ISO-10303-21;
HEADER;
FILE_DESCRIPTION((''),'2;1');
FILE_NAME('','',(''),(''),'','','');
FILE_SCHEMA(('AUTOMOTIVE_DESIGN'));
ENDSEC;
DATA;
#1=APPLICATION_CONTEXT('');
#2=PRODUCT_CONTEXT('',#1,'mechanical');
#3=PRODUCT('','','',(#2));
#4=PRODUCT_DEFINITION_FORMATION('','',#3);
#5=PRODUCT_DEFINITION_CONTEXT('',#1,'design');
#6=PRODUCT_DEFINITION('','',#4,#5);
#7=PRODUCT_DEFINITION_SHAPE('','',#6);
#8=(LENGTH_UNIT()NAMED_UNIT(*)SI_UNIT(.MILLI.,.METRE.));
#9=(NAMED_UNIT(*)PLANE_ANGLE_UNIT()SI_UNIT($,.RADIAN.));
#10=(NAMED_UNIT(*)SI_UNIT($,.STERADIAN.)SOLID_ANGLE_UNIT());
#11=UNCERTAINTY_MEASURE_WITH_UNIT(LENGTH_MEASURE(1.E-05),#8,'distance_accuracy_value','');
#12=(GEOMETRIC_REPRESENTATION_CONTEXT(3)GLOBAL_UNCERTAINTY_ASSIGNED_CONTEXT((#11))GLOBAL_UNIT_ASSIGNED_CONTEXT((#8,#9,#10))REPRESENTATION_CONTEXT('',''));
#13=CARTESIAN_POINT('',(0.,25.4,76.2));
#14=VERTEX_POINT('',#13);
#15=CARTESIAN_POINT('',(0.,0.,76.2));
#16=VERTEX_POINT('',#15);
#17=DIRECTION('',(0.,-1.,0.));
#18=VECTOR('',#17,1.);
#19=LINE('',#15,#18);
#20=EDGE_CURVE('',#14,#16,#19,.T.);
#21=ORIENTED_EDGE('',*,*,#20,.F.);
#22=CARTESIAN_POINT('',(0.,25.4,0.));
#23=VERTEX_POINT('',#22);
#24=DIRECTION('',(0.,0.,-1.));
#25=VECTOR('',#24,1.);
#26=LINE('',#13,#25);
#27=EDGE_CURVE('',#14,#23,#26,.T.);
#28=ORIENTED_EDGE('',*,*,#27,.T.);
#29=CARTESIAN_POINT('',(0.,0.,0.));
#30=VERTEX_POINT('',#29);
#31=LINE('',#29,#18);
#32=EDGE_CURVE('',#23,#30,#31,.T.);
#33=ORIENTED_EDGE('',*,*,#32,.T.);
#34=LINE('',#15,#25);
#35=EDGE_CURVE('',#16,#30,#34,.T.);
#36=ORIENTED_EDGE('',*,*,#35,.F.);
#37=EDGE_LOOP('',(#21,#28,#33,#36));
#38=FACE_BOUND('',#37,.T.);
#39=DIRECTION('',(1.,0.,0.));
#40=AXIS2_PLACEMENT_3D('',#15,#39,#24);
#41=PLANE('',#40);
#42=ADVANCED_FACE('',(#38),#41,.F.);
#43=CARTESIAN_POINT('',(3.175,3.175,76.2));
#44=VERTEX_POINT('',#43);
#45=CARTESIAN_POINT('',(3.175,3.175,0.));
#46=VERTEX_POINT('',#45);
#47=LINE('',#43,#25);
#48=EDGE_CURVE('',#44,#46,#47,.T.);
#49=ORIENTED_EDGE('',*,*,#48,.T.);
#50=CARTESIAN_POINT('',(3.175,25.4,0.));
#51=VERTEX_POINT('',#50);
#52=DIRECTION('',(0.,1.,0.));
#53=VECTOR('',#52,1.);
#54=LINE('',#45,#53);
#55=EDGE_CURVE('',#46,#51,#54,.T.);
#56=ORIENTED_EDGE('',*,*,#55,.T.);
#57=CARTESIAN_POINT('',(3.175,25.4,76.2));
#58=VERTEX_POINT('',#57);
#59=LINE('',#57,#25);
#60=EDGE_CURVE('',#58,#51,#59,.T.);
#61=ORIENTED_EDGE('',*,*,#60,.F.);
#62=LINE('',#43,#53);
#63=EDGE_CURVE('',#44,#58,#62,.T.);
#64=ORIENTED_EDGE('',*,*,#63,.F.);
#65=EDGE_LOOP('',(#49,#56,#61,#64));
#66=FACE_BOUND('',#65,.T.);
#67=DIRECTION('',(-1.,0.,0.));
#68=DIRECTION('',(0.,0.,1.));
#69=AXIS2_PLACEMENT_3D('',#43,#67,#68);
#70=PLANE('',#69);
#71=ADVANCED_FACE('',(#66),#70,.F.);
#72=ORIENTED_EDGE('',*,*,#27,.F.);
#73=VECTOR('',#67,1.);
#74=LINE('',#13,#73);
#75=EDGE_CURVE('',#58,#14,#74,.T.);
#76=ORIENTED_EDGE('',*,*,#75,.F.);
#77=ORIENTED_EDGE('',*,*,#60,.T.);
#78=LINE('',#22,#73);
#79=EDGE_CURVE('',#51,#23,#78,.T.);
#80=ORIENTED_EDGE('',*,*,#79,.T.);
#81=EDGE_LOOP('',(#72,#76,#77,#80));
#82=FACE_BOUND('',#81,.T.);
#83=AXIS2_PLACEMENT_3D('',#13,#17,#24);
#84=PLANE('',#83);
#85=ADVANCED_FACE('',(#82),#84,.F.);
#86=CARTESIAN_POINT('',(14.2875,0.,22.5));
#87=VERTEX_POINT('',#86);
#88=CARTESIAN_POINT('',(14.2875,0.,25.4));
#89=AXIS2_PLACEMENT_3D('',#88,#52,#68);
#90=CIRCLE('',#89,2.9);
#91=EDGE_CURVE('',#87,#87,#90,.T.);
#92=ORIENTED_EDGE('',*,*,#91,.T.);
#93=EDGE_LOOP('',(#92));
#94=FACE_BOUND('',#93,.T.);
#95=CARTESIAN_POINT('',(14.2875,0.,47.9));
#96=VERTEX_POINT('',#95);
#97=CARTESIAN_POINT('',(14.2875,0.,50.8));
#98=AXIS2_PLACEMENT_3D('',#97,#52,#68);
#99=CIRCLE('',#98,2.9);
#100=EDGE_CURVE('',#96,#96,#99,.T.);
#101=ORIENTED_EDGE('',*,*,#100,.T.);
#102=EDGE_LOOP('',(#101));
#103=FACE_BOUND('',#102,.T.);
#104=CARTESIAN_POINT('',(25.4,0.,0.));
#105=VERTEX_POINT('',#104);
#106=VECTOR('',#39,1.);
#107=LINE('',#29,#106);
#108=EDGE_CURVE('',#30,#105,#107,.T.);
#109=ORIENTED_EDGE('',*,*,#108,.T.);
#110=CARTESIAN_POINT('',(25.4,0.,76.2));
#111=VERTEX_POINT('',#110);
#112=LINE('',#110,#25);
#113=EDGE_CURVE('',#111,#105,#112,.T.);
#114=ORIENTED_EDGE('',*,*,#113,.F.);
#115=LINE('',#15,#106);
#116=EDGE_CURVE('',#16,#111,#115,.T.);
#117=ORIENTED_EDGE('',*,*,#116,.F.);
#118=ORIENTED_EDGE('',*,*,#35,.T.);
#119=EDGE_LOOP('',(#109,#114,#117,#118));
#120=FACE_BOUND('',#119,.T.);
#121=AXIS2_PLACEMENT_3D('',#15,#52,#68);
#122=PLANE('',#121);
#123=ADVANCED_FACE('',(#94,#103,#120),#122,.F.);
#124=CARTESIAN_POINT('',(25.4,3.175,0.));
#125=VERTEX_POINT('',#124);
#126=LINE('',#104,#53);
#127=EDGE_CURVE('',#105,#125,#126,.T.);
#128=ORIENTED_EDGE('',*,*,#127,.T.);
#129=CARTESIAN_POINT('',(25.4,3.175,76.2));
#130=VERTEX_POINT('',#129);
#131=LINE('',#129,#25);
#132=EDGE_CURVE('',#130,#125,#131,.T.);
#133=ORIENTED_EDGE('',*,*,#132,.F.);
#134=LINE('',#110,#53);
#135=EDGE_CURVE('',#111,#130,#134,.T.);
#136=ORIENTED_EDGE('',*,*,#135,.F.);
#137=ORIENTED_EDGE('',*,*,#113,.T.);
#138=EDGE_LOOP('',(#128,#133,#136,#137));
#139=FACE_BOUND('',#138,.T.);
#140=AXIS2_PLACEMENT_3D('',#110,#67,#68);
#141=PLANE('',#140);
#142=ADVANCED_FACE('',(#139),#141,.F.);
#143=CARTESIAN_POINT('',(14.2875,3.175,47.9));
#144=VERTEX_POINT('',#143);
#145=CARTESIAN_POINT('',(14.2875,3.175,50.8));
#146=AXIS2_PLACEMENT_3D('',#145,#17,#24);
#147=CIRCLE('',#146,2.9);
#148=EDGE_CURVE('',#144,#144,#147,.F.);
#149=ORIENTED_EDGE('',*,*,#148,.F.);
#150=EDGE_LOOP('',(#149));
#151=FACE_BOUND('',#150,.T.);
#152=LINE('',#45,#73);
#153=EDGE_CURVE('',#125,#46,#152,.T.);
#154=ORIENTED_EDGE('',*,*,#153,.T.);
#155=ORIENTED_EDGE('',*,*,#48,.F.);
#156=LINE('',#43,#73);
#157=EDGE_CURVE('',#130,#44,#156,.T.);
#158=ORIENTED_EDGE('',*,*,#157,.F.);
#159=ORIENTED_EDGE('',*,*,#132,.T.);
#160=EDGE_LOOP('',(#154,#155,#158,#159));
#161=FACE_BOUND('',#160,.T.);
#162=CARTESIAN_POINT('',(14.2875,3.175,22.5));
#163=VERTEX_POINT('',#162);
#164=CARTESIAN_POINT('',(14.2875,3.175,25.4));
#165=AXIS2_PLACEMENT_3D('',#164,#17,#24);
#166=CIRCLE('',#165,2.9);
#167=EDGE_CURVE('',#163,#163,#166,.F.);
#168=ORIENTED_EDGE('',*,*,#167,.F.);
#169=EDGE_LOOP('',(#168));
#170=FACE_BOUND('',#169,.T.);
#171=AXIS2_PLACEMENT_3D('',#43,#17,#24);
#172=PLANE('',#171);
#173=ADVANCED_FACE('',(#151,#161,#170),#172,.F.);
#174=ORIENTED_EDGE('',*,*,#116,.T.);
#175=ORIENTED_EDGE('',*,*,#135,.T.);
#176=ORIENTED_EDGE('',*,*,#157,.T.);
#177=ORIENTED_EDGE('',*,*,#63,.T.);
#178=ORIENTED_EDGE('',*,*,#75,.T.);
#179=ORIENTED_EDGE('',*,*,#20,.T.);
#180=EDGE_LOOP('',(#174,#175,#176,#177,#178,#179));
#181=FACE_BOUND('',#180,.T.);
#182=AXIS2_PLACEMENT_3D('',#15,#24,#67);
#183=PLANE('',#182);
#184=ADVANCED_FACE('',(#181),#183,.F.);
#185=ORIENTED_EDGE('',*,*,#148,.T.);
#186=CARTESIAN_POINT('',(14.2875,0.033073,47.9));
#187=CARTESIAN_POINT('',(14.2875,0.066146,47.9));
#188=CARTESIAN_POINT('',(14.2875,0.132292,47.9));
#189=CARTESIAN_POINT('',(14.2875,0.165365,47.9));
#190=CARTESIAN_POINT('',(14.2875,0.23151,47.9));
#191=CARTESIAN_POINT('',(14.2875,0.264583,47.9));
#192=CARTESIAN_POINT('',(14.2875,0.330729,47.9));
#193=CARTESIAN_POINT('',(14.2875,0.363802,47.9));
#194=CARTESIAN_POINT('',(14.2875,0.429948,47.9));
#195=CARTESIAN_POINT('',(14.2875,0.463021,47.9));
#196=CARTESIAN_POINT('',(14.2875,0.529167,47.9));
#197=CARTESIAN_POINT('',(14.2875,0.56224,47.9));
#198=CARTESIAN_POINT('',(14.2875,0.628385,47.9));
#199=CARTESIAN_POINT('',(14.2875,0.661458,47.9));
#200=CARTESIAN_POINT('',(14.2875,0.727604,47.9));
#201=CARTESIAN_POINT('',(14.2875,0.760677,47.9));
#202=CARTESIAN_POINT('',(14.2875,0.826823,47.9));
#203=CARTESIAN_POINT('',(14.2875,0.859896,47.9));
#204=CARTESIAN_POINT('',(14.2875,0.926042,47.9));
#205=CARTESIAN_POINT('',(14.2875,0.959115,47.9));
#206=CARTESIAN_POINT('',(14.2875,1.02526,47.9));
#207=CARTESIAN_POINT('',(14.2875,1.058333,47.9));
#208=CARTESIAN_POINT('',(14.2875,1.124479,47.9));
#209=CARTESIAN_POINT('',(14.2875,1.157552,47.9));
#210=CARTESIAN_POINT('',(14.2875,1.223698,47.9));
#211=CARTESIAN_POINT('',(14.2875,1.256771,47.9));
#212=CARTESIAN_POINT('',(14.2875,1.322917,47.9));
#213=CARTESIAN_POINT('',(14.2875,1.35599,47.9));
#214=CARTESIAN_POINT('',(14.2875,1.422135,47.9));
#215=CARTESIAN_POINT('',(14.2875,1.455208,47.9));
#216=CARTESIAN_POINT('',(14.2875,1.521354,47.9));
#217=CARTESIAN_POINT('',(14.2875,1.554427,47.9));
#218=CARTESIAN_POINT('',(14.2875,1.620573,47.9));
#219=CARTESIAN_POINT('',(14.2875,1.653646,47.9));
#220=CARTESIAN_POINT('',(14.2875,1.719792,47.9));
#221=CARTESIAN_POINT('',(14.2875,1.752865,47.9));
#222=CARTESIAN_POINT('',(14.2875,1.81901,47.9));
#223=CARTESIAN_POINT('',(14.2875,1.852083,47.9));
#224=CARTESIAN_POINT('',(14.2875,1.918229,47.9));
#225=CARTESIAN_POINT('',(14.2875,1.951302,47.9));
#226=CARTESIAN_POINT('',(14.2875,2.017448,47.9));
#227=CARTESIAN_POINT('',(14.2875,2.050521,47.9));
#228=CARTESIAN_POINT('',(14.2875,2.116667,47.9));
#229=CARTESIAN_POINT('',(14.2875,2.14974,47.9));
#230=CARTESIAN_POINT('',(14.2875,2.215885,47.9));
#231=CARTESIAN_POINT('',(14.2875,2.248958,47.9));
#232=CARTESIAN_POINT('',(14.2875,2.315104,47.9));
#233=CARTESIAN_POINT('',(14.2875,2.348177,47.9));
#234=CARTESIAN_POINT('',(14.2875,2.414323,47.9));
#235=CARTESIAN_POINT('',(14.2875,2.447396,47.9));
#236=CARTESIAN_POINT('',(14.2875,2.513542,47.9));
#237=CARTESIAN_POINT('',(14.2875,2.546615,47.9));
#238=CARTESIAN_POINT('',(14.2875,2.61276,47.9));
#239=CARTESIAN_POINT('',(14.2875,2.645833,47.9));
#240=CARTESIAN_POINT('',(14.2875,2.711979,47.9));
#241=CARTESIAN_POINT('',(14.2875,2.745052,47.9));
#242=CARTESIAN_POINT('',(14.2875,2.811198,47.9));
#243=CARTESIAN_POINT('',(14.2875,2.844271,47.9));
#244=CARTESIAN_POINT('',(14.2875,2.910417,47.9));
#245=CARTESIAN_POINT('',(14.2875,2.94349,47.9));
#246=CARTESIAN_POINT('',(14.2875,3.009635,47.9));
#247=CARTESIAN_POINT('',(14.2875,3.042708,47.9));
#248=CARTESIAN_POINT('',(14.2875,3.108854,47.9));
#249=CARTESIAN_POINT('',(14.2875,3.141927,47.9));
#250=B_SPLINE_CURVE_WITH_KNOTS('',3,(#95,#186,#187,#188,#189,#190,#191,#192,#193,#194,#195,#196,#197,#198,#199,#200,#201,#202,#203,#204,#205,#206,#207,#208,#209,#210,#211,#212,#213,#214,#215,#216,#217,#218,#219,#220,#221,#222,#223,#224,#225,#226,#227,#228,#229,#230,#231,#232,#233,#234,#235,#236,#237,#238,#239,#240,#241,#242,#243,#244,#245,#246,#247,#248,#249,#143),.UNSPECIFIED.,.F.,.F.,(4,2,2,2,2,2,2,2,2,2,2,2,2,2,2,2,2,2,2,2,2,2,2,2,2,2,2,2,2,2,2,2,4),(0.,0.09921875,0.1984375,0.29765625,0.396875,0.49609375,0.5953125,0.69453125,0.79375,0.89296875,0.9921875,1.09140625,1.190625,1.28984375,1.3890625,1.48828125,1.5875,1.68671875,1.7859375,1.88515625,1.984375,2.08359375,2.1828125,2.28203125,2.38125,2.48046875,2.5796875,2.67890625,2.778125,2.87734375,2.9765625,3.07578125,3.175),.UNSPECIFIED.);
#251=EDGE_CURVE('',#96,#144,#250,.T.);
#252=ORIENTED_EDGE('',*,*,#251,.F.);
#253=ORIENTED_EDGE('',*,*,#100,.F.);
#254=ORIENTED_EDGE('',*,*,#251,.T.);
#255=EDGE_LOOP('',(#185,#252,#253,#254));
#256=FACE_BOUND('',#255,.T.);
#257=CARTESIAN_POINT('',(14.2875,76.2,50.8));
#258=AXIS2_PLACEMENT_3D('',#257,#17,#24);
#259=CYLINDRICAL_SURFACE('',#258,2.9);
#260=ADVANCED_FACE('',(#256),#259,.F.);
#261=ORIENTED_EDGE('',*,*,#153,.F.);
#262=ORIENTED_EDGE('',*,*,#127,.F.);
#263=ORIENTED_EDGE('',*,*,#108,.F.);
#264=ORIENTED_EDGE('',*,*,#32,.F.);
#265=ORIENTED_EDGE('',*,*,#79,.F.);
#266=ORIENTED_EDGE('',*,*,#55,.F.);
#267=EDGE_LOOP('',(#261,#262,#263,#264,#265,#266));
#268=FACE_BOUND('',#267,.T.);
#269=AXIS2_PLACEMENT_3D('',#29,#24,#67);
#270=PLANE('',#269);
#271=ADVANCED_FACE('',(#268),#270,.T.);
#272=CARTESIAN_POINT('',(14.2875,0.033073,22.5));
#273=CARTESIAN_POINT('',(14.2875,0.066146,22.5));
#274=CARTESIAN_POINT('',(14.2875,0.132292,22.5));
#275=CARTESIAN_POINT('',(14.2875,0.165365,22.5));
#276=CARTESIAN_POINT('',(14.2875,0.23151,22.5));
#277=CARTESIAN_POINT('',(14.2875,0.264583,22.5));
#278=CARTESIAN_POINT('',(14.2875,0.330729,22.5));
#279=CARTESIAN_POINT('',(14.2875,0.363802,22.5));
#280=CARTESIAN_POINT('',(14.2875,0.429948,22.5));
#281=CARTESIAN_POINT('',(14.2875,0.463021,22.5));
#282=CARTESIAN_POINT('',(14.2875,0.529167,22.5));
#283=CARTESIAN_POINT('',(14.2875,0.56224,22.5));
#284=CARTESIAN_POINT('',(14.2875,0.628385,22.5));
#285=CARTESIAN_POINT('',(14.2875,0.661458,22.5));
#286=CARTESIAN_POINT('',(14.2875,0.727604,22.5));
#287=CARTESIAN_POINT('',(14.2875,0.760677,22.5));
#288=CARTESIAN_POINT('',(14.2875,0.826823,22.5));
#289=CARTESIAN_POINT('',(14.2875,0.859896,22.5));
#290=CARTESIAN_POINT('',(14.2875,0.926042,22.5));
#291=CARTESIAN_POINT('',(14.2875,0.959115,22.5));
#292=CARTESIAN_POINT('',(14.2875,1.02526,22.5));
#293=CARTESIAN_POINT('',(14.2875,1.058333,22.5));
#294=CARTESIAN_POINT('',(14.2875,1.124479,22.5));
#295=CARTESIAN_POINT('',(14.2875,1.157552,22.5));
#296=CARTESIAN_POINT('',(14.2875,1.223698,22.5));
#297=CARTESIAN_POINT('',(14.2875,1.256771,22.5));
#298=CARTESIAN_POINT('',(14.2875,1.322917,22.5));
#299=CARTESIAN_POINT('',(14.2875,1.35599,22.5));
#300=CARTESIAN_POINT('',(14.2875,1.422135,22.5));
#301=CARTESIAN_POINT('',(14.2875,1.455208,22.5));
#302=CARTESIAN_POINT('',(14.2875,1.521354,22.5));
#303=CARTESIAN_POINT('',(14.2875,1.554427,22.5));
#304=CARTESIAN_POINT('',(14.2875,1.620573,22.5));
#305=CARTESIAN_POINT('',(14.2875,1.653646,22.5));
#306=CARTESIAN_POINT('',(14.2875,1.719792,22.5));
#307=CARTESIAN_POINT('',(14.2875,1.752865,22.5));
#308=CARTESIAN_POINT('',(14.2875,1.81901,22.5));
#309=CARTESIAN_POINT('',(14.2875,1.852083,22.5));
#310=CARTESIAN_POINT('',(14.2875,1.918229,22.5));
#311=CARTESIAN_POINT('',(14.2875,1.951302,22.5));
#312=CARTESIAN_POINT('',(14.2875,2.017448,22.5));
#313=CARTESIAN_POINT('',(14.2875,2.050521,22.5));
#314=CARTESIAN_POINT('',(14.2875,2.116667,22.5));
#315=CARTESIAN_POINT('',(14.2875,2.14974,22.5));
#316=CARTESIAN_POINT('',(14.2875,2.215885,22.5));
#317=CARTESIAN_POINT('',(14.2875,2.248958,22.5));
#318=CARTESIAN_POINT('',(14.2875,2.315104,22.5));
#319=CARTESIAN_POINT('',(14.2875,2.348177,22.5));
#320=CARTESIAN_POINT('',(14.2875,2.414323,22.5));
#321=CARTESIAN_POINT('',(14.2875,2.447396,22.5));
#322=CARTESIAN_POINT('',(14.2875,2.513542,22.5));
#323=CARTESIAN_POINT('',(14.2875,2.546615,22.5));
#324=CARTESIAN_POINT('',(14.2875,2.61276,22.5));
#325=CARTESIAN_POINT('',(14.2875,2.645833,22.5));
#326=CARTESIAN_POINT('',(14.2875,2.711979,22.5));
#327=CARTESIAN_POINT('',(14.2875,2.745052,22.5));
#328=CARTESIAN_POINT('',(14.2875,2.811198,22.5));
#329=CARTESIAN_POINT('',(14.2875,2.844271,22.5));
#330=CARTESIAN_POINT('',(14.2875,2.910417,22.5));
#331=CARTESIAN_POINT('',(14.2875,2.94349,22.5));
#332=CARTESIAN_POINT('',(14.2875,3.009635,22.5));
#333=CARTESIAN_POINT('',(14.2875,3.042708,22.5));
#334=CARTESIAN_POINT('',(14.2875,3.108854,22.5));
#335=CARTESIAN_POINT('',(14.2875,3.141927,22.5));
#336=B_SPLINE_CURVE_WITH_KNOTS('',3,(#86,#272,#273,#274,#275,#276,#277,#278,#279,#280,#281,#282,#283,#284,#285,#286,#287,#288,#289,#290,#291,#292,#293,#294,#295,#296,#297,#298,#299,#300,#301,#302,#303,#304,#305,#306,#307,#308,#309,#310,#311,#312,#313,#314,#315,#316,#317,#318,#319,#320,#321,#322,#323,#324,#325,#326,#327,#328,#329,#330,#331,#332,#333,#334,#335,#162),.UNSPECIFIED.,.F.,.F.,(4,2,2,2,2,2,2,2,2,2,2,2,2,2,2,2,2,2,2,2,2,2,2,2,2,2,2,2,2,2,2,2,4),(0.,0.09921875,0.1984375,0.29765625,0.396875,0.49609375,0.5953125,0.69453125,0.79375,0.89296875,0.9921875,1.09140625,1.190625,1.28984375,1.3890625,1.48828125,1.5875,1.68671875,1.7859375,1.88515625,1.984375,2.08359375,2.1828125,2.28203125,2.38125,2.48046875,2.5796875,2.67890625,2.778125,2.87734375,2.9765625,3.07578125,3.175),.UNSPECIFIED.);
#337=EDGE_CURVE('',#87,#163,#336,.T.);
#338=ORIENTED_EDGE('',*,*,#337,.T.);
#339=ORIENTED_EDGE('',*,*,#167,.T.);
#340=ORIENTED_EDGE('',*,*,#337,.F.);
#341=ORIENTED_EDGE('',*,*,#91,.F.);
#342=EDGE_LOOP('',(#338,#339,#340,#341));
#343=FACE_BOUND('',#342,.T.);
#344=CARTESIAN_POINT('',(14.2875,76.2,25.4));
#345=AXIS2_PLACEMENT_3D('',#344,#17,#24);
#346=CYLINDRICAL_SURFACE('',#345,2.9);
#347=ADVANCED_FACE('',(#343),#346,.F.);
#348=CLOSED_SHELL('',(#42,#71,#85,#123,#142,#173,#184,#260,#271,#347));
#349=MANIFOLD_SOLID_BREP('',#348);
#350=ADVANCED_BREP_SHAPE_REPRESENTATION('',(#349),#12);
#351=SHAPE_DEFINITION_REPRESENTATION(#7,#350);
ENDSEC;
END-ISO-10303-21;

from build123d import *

# Parameters (mm, degrees)
BOSS_EXTRUDE1_DEPTH = 76.2
SKETCH2_R           = 2.9
CUT_EXTRUDE1_DEPTH  = 76.2


with BuildPart() as part:
    # Sketch1 → Boss-Extrude1 (new body)
    with BuildSketch(Plane.XY):
        Polygon((0, 0), (25.4, 0), (25.4, 3.175), (3.175, 3.175), (3.175, 25.4), (0, 25.4), align=None)
    extrude(amount=BOSS_EXTRUDE1_DEPTH)

    # Sketch2 → Cut-Extrude1 (cut)
    with BuildSketch(Plane(origin=(0, 0, 0), x_dir=(1, 0, 0), z_dir=(0, 1, 0))):
        with Locations(Location((14.2875, -25.4, 0), (0, 0, 90))):
            Circle(SKETCH2_R)
        with Locations(Location((14.2875, -50.8, 0), (0, 0, 90))):
            Circle(SKETCH2_R)
    extrude(amount=CUT_EXTRUDE1_DEPTH, mode=Mode.SUBTRACT)


solid = part.part
